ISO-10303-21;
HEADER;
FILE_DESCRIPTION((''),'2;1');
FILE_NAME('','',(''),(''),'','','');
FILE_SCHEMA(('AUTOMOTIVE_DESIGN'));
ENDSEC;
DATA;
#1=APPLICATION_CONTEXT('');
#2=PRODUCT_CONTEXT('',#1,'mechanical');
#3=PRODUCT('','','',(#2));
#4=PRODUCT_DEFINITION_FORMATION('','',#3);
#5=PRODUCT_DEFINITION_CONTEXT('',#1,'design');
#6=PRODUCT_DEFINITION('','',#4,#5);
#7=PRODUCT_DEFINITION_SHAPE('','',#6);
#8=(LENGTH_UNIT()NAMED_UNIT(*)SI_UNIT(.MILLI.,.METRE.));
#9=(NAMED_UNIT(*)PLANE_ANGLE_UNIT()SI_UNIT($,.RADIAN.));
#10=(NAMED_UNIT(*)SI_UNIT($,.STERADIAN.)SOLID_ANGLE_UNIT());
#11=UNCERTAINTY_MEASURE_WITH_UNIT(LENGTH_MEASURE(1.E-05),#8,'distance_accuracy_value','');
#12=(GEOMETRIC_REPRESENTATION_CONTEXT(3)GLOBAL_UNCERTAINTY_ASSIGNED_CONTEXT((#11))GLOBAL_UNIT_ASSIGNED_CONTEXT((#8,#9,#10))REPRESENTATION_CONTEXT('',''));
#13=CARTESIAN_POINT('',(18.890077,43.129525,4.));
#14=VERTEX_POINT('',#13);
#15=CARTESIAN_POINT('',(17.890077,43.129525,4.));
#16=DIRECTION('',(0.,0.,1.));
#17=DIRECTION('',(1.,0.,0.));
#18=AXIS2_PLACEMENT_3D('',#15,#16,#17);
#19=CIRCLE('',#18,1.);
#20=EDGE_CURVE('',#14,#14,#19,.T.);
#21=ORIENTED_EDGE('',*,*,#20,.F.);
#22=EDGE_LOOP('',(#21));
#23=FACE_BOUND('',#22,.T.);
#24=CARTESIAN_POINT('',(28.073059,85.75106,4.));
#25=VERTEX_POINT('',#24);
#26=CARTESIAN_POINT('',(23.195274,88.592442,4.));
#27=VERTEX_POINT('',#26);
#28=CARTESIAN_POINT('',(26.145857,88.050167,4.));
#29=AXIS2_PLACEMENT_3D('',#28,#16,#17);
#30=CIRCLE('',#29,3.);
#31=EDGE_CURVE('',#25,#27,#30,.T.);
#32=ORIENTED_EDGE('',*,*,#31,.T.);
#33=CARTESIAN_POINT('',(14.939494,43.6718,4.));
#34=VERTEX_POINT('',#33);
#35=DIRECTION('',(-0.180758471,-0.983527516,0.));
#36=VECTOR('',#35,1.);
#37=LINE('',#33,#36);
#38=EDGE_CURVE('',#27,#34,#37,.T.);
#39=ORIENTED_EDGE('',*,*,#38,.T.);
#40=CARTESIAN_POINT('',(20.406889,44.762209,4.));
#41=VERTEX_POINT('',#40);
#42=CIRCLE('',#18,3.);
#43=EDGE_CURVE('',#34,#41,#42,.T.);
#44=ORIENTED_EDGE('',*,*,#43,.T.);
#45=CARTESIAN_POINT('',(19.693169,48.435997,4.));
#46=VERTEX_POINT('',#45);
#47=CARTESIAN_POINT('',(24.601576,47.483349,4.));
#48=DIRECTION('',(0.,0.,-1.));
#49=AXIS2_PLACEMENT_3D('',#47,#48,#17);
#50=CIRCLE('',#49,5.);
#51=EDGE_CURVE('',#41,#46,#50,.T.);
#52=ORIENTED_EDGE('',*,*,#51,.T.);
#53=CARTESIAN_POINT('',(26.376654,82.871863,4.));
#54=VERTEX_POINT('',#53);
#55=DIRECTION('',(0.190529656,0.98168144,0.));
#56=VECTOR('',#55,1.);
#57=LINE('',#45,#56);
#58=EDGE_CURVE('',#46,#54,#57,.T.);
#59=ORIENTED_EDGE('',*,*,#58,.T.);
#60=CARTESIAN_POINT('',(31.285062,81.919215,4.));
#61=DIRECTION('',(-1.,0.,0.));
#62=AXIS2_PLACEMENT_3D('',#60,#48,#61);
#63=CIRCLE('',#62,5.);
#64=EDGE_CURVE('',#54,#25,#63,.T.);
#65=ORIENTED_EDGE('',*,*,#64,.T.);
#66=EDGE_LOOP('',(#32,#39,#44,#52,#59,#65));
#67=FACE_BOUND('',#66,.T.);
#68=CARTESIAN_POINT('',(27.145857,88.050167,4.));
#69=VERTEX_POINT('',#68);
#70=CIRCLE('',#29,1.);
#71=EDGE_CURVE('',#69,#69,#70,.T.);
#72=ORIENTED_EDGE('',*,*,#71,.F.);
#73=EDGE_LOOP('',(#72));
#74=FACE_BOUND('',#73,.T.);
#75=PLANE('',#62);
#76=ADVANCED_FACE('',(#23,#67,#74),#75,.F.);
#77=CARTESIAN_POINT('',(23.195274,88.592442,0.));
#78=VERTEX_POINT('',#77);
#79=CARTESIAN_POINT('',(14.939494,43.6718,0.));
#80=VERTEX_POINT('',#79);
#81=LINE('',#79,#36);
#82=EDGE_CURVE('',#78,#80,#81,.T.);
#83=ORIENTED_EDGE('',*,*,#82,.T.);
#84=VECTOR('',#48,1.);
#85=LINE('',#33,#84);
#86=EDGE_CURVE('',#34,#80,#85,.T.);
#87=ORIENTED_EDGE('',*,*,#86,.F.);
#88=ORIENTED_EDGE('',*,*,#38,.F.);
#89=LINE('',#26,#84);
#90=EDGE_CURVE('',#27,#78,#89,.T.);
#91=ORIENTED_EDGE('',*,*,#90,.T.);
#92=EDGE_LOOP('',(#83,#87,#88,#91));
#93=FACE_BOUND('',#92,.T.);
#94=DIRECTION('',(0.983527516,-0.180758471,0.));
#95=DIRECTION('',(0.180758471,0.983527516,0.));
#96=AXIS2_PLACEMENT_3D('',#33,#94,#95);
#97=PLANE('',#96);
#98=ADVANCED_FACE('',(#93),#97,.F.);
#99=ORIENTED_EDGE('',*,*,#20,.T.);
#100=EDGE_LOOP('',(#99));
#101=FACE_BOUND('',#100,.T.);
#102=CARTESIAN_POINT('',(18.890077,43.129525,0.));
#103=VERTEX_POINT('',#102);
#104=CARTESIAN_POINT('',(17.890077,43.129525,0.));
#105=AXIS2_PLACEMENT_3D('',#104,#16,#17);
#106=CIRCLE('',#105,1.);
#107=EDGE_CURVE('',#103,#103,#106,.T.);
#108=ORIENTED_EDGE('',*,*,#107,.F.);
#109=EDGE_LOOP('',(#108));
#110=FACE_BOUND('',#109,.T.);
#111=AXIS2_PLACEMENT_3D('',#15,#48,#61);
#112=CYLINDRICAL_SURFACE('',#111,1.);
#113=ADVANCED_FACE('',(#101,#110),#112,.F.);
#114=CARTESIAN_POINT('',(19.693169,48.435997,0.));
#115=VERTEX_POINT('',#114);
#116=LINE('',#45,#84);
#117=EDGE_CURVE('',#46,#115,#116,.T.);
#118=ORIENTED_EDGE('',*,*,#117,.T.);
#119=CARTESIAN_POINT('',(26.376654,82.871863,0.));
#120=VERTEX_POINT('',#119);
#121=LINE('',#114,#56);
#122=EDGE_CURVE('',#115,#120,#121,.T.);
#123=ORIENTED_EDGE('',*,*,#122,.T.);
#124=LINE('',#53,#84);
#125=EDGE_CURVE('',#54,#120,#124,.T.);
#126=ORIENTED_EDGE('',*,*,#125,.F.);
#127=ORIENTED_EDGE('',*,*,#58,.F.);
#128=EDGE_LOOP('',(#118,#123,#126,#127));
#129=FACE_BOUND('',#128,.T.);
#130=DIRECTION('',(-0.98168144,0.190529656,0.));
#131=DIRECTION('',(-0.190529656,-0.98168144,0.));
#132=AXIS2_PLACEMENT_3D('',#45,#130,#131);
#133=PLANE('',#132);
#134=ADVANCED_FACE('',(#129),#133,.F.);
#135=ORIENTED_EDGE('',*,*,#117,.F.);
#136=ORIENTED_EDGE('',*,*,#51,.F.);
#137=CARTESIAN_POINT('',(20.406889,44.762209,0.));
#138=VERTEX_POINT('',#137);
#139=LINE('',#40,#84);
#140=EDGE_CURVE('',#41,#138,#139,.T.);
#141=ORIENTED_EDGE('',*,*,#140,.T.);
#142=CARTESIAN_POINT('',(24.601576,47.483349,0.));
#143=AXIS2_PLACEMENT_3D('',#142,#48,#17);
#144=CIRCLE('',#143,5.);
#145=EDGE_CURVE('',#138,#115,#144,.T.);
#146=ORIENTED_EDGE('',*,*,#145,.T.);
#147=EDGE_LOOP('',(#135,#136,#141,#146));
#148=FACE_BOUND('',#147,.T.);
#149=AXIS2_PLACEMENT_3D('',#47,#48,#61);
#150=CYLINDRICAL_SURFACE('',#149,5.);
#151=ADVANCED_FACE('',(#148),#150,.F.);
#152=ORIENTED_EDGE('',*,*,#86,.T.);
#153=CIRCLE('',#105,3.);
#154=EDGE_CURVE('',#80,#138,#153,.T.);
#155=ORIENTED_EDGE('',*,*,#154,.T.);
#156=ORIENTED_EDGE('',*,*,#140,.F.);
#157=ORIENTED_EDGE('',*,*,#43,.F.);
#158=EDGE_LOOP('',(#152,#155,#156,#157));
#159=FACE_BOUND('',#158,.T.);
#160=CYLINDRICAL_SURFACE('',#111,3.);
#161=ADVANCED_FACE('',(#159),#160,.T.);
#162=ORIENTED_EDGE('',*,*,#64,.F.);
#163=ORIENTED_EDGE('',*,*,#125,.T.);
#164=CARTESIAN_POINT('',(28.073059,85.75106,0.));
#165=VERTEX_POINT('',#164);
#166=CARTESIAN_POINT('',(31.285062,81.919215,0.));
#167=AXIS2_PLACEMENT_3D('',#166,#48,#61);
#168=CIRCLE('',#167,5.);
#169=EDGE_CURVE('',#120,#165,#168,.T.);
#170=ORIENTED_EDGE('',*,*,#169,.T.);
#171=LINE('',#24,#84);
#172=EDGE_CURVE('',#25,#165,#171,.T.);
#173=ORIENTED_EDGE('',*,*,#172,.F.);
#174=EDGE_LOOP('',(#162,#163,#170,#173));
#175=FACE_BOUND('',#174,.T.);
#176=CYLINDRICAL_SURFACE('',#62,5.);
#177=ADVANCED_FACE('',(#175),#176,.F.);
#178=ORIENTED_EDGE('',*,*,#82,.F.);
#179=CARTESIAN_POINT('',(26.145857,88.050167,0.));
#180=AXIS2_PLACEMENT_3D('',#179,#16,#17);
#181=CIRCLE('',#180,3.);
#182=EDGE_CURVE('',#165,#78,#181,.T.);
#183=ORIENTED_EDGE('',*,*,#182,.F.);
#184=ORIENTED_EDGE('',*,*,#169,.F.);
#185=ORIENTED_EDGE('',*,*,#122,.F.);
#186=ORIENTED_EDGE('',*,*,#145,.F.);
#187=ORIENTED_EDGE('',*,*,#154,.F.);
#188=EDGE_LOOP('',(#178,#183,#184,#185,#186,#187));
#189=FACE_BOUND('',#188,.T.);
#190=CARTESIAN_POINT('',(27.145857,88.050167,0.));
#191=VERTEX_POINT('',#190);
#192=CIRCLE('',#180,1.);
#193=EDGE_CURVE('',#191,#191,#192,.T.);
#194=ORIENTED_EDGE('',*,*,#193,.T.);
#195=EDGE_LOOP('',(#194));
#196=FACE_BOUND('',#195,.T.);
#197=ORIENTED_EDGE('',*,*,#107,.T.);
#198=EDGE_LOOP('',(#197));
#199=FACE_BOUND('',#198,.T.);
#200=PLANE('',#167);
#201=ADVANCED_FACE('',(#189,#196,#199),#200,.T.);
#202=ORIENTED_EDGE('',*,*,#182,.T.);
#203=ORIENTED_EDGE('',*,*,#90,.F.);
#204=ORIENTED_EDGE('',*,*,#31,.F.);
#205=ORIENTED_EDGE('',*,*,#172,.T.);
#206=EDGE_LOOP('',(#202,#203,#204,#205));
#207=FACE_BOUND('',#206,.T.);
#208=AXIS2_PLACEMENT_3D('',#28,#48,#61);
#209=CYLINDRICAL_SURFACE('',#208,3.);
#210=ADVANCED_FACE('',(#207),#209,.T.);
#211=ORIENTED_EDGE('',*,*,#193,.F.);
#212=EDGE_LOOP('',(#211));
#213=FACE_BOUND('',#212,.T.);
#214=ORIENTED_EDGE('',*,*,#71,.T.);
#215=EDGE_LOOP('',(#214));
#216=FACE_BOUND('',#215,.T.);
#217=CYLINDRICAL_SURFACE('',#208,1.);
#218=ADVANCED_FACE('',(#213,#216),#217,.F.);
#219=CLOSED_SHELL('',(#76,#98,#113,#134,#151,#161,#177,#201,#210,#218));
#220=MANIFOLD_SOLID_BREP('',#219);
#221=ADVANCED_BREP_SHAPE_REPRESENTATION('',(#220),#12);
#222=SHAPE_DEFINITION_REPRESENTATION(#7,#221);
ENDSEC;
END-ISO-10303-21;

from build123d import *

# Parameters (mm, degrees)
SKETCH7_R           = 1
BOSS_EXTRUDE2_DEPTH = 4


with BuildPart() as part:
    # Sketch7 → Boss-Extrude2 (new body)
    with BuildSketch(Plane.XY):
        with BuildLine():
            Line((14.939494353, 43.671800322), (23.195274145, 88.592442488))
            ThreePointArc((23.195274145, 88.592442488), (27.655886689, 90.642426594), (28.073058509, 85.75106004))
            ThreePointArc((28.073058509, 85.75106004), (26.977195581, 84.457381822), (26.376654335, 82.871863263))
            Line((26.376654335, 82.871863263), (19.693168718, 48.435996906))
            ThreePointArc((19.693168718, 48.435996906), (19.693341996, 46.529807983), (20.406889033, 44.762208802))
            ThreePointArc((20.406889033, 44.762208802), (18.476836527, 40.187465572), (14.939494353, 43.671800322))
        make_face()
        with Locations((17.890076902, 43.129524909)):
            Circle(SKETCH7_R, mode=Mode.SUBTRACT)
        with Locations((26.145856694, 88.050167075)):
            Circle(SKETCH7_R, mode=Mode.SUBTRACT)
    extrude(amount=BOSS_EXTRUDE2_DEPTH)


solid = part.part
